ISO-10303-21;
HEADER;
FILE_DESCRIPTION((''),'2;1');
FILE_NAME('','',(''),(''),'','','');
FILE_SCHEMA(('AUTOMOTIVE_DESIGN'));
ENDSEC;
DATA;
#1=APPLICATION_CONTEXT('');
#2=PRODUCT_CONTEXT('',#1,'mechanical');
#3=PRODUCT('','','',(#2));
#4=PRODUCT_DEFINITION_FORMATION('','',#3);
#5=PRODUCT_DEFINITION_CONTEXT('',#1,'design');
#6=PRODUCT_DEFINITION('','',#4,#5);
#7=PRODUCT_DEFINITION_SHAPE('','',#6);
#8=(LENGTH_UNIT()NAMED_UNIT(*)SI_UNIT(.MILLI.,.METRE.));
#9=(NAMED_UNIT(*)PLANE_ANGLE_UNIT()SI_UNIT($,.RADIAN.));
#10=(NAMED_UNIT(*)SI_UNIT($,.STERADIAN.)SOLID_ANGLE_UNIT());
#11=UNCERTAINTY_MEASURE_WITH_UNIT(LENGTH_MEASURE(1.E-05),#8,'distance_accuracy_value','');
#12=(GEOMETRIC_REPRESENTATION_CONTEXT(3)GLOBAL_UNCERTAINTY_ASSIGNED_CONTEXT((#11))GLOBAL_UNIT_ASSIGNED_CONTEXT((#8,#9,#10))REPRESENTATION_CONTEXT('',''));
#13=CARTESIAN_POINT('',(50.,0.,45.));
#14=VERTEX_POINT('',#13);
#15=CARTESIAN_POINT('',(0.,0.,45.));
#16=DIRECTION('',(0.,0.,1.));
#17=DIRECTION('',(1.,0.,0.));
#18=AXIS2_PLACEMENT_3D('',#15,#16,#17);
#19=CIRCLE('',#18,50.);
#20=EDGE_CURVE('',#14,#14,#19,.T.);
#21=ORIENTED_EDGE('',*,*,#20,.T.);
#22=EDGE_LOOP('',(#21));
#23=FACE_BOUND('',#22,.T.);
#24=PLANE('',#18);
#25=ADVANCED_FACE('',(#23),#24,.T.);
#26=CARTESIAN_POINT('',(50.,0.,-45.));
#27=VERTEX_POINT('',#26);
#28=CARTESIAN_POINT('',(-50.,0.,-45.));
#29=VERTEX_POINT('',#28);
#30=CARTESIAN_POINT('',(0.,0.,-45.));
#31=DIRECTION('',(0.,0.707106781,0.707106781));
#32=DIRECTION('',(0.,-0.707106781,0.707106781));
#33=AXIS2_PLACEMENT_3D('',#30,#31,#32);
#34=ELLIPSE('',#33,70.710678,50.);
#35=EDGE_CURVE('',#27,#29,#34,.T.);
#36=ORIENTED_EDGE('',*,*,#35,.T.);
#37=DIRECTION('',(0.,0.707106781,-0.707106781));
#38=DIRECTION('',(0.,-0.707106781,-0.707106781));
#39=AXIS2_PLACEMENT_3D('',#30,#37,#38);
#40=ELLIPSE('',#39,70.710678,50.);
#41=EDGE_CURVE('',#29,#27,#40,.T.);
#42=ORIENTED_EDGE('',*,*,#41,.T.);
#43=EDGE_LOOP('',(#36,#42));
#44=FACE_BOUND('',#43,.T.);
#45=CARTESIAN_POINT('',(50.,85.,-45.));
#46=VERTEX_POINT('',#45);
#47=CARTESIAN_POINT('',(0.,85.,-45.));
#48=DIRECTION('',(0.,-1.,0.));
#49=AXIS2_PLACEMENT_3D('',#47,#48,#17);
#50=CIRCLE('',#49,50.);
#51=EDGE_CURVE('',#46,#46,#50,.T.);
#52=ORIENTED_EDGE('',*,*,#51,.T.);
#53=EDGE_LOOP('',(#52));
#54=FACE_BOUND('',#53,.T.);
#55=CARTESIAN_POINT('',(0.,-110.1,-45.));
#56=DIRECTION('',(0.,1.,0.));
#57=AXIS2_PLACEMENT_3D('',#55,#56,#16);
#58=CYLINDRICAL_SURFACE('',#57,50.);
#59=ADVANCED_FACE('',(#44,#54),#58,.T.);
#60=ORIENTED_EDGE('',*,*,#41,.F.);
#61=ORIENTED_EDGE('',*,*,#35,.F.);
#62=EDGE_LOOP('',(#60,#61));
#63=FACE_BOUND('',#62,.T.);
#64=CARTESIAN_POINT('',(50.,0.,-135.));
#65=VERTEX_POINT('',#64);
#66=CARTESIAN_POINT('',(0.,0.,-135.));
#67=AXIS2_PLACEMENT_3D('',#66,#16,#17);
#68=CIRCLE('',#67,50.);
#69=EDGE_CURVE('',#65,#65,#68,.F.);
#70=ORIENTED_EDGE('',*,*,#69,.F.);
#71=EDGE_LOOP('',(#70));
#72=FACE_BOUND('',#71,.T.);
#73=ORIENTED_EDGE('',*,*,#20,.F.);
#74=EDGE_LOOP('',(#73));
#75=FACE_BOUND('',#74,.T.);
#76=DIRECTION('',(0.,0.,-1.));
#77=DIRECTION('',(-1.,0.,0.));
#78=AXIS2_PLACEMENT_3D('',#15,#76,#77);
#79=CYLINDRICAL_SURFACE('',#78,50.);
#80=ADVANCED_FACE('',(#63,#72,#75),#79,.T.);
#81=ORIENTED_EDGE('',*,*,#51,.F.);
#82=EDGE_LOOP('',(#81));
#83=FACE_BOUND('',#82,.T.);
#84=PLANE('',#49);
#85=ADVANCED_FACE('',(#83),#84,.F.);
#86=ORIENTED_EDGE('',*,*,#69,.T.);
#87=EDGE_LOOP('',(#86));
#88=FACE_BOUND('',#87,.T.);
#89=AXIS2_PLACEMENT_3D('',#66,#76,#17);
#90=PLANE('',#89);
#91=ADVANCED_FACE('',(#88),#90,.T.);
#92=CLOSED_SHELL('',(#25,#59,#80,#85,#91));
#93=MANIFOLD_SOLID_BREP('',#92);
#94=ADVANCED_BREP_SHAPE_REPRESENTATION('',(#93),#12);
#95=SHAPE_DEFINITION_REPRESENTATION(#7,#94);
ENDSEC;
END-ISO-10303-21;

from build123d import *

# Parameters (mm, degrees)
SKETCH2_R = 50


with BuildPart() as part:
    # Sweep1: sweep along a path in Sketch1
    with BuildLine(Plane(origin=(0, 0, 0), x_dir=(0, 0, -1), z_dir=(1, 0, 0))) as sweep1_path:
        Line((-45, 0), (45, 0))
        Line((45, 0), (45, 85))
    # Sketch2 → Sweep1 (sweep)
    with BuildSketch(Plane.XY.offset(45)):
        Circle(SKETCH2_R)
    sweep1 = sweep(path=sweep1_path.line, transition=Transition.RIGHT)

    # Mirror2: Sweep1 across plane
    add(sweep1.mirror(Plane.XY.offset(-45)))


solid = part.part
